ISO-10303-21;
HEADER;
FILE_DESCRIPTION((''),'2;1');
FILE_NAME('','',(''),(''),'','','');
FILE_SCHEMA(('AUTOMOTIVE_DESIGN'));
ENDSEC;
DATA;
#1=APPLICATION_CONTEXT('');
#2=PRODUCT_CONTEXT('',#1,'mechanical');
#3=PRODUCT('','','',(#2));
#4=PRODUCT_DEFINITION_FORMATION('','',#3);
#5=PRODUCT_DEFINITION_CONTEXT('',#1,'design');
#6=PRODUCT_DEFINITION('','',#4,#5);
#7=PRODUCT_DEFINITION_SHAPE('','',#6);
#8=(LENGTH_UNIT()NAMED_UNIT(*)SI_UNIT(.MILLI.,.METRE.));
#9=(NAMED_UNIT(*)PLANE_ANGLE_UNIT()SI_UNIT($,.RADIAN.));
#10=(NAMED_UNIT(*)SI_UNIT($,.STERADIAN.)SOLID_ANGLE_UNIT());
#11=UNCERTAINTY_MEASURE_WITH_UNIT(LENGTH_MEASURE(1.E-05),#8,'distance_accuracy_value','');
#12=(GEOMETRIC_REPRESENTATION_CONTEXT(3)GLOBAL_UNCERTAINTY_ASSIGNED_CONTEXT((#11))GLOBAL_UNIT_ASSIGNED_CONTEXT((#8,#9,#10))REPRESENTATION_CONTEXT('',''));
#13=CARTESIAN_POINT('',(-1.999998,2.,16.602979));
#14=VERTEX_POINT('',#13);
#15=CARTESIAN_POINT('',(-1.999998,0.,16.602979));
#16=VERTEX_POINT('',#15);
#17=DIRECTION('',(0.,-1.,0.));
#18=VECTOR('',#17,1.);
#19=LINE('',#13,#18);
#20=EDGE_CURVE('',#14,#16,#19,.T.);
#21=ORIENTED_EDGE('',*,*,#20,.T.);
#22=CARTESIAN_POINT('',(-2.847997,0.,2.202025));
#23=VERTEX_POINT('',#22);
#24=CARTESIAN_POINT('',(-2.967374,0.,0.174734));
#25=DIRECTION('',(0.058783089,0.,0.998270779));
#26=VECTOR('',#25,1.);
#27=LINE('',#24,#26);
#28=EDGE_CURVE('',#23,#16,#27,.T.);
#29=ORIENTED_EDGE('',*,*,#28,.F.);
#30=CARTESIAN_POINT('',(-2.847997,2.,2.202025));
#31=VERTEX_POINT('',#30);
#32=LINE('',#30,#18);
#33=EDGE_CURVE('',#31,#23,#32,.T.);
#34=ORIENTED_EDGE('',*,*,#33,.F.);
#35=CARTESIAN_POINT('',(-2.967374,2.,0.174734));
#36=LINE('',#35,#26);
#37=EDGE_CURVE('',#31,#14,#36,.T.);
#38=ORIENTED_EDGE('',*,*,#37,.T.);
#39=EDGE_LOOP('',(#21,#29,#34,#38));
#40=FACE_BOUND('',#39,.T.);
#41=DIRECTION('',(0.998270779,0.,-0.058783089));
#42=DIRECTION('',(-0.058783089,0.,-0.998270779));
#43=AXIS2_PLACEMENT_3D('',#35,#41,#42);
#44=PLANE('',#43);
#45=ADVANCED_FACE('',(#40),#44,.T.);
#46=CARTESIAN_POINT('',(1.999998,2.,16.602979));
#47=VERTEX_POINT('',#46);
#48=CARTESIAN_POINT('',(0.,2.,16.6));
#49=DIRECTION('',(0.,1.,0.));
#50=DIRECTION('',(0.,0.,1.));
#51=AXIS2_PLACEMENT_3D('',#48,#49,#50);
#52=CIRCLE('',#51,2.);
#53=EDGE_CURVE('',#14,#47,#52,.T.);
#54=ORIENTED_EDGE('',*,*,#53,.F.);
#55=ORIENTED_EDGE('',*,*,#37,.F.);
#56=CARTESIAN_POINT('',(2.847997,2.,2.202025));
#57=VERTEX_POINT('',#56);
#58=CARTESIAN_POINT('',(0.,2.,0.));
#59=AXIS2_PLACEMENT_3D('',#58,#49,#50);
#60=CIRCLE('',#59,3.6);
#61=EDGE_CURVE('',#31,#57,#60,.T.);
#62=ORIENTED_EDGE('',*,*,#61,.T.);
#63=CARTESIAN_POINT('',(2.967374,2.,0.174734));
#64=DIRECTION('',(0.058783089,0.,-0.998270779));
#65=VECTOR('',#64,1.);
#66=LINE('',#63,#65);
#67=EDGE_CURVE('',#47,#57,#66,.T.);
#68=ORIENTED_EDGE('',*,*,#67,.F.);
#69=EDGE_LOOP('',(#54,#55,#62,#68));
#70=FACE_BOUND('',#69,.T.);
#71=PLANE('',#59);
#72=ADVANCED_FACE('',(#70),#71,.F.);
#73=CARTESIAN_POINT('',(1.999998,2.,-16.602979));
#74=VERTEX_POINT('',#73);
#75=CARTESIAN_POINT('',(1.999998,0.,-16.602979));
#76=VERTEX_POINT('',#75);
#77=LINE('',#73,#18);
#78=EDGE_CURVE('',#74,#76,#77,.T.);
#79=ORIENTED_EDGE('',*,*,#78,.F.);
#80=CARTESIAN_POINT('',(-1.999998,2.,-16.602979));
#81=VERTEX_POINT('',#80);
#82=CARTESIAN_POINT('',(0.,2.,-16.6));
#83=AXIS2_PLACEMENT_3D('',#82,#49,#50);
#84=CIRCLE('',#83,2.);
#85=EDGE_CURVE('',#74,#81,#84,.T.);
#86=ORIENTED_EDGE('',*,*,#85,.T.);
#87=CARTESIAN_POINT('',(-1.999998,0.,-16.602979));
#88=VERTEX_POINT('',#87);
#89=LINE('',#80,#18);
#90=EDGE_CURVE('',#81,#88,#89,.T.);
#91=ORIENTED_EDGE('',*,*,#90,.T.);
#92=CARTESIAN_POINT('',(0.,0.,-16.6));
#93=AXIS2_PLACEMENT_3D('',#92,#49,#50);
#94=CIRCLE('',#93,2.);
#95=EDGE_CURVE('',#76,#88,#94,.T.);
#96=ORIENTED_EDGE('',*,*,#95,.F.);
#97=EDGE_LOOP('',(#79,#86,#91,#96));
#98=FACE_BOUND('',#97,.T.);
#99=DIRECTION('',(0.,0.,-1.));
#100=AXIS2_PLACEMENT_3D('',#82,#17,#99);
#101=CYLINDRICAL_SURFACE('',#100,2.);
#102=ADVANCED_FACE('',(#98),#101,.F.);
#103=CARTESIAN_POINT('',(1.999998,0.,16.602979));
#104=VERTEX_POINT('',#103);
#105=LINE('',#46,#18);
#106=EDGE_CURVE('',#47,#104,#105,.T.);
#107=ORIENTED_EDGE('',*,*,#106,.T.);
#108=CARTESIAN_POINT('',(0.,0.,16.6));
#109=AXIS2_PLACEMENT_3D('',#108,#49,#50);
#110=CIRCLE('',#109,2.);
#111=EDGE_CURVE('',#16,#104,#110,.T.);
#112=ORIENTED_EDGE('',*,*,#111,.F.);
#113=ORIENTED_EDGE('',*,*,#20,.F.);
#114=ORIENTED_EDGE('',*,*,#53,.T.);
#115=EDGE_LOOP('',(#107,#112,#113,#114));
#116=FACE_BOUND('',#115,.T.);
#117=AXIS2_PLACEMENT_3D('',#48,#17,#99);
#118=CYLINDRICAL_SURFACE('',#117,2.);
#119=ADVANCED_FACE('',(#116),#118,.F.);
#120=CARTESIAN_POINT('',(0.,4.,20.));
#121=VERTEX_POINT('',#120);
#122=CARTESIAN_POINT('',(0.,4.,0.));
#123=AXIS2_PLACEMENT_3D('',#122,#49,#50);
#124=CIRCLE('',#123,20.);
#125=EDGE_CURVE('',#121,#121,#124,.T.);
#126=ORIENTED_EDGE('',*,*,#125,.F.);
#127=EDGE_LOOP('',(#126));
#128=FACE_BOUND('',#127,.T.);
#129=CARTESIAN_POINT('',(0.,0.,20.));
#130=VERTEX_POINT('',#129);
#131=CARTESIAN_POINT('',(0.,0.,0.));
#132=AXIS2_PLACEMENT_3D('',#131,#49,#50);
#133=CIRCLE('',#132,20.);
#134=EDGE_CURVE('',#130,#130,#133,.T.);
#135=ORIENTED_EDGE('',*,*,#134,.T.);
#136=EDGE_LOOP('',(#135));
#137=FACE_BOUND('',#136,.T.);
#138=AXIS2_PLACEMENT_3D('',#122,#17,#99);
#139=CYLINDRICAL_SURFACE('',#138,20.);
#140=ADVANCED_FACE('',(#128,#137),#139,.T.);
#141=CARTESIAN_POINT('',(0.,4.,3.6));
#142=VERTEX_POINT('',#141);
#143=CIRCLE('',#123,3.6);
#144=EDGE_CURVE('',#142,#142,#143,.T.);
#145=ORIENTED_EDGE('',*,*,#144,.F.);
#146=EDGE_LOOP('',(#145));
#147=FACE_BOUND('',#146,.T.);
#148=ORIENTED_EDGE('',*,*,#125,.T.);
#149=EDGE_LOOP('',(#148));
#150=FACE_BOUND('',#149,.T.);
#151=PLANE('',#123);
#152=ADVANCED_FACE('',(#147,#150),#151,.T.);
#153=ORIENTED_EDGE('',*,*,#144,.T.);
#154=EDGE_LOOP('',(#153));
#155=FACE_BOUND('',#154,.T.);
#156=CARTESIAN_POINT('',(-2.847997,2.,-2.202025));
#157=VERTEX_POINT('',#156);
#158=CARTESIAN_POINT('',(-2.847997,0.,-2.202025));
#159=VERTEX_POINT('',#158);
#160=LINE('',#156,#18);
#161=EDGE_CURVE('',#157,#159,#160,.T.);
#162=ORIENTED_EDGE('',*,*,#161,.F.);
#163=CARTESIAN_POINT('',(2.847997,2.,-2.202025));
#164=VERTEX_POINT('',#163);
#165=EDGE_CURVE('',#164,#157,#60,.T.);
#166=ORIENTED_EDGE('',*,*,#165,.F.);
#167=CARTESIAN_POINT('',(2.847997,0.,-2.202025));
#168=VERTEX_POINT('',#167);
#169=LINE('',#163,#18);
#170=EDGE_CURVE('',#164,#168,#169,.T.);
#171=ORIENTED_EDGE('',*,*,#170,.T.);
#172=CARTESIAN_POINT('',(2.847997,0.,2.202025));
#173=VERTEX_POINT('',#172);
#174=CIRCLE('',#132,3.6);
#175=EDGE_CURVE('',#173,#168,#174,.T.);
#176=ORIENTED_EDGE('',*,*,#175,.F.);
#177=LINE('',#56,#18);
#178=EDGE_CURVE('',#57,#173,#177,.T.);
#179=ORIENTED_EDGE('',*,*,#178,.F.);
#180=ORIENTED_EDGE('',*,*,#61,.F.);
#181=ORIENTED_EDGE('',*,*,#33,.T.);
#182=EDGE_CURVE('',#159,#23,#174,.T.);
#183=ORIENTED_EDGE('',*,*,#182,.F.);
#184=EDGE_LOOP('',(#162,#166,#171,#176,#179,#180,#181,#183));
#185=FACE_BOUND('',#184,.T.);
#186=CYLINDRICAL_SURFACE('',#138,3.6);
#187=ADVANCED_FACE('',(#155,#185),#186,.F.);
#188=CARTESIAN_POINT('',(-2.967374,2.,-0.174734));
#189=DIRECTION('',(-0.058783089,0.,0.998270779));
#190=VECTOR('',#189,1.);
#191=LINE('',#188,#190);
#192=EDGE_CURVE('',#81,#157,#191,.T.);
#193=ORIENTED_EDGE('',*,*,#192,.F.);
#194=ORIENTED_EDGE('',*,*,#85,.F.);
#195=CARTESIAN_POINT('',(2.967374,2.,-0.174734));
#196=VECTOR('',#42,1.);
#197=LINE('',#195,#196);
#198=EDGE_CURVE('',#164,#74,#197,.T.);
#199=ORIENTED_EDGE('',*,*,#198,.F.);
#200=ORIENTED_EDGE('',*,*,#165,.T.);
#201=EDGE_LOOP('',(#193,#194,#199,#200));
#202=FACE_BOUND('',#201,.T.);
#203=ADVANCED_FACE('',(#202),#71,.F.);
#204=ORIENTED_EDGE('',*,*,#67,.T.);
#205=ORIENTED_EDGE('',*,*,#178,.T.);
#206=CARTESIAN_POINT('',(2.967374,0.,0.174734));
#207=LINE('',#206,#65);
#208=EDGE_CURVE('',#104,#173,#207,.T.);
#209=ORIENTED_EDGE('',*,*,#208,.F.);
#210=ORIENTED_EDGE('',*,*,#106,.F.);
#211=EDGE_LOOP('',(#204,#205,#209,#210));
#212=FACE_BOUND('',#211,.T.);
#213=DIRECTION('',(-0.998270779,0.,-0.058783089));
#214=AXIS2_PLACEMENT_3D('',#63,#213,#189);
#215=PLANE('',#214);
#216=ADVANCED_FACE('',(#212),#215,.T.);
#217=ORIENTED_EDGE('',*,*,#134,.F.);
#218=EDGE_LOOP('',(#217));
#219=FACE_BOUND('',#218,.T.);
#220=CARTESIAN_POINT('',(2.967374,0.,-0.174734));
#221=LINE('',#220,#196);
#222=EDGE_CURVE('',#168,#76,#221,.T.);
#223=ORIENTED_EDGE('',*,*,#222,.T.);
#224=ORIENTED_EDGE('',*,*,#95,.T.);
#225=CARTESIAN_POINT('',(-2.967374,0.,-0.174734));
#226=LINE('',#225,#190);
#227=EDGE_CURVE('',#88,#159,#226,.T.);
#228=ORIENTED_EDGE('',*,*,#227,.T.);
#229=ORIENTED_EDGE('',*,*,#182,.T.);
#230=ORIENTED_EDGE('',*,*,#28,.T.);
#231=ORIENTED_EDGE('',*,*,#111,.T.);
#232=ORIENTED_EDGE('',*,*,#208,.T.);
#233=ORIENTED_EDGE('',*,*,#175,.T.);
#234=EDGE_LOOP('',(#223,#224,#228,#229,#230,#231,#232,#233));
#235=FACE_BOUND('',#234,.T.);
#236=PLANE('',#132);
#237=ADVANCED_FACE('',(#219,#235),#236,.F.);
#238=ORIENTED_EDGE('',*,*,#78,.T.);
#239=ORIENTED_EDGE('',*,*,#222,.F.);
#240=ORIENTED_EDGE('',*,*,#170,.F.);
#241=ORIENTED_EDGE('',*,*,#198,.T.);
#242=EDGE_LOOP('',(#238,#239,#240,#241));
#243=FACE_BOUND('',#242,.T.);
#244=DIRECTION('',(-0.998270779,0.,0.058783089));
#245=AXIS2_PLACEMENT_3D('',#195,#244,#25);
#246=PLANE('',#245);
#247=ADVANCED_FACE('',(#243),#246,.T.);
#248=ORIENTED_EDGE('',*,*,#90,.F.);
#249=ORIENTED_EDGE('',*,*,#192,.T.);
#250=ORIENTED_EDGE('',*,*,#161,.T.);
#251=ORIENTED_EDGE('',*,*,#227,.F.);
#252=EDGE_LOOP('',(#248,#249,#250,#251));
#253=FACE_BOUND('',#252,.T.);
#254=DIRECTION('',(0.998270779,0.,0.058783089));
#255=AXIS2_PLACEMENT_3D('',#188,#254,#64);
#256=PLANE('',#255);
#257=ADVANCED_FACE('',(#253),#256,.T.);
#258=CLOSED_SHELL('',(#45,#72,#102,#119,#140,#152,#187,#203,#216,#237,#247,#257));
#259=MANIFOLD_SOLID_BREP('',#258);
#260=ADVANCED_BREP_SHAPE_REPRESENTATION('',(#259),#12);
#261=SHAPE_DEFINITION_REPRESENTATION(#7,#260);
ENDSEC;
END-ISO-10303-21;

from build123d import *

# Parameters (mm, degrees)
SKETCH1_R           = 20
SKETCH1_R_2         = 3.6
BOSS_EXTRUDE2_DEPTH = 4
CUT_EXTRUDE2_DEPTH  = 2


with BuildPart() as part:
    # Sketch1 → Boss-Extrude2 (new body)
    with BuildSketch(Plane(origin=(0, 0, 0), x_dir=(1, 0, 0), z_dir=(0, 1, 0))):
        Circle(SKETCH1_R)
        Circle(SKETCH1_R_2, mode=Mode.SUBTRACT)
    extrude(amount=BOSS_EXTRUDE2_DEPTH)

    # Sketch1<6> → Cut-Extrude2 (cut)
    with BuildSketch(Plane(origin=(0, 0, 0), x_dir=(1, 0, 0), z_dir=(0, 1, 0))):
        with BuildLine():
            Line((-2.847996741, -2.202025105), (-1.999997781, -16.602979385))
            ThreePointArc((-1.999997781, -16.602979385), (0, -18.6), (1.999997781, -16.602979385))
            Line((1.999997781, -16.602979385), (2.847996741, -2.202025105))
            ThreePointArc((2.847996741, -2.202025105), (0, -3.6), (-2.847996741, -2.202025105))
        make_face()
        with BuildLine():
            ThreePointArc((-2.847996741, 2.202025105), (0, 3.6), (2.847996741, 2.202025105))
            Line((2.847996741, 2.202025105), (1.999997781, 16.602979385))
            ThreePointArc((1.999997781, 16.602979385), (0, 18.6), (-1.999997781, 16.602979385))
            Line((-1.999997781, 16.602979385), (-2.847996741, 2.202025105))
        make_face()
    extrude(amount=CUT_EXTRUDE2_DEPTH, mode=Mode.SUBTRACT)


solid = part.part
